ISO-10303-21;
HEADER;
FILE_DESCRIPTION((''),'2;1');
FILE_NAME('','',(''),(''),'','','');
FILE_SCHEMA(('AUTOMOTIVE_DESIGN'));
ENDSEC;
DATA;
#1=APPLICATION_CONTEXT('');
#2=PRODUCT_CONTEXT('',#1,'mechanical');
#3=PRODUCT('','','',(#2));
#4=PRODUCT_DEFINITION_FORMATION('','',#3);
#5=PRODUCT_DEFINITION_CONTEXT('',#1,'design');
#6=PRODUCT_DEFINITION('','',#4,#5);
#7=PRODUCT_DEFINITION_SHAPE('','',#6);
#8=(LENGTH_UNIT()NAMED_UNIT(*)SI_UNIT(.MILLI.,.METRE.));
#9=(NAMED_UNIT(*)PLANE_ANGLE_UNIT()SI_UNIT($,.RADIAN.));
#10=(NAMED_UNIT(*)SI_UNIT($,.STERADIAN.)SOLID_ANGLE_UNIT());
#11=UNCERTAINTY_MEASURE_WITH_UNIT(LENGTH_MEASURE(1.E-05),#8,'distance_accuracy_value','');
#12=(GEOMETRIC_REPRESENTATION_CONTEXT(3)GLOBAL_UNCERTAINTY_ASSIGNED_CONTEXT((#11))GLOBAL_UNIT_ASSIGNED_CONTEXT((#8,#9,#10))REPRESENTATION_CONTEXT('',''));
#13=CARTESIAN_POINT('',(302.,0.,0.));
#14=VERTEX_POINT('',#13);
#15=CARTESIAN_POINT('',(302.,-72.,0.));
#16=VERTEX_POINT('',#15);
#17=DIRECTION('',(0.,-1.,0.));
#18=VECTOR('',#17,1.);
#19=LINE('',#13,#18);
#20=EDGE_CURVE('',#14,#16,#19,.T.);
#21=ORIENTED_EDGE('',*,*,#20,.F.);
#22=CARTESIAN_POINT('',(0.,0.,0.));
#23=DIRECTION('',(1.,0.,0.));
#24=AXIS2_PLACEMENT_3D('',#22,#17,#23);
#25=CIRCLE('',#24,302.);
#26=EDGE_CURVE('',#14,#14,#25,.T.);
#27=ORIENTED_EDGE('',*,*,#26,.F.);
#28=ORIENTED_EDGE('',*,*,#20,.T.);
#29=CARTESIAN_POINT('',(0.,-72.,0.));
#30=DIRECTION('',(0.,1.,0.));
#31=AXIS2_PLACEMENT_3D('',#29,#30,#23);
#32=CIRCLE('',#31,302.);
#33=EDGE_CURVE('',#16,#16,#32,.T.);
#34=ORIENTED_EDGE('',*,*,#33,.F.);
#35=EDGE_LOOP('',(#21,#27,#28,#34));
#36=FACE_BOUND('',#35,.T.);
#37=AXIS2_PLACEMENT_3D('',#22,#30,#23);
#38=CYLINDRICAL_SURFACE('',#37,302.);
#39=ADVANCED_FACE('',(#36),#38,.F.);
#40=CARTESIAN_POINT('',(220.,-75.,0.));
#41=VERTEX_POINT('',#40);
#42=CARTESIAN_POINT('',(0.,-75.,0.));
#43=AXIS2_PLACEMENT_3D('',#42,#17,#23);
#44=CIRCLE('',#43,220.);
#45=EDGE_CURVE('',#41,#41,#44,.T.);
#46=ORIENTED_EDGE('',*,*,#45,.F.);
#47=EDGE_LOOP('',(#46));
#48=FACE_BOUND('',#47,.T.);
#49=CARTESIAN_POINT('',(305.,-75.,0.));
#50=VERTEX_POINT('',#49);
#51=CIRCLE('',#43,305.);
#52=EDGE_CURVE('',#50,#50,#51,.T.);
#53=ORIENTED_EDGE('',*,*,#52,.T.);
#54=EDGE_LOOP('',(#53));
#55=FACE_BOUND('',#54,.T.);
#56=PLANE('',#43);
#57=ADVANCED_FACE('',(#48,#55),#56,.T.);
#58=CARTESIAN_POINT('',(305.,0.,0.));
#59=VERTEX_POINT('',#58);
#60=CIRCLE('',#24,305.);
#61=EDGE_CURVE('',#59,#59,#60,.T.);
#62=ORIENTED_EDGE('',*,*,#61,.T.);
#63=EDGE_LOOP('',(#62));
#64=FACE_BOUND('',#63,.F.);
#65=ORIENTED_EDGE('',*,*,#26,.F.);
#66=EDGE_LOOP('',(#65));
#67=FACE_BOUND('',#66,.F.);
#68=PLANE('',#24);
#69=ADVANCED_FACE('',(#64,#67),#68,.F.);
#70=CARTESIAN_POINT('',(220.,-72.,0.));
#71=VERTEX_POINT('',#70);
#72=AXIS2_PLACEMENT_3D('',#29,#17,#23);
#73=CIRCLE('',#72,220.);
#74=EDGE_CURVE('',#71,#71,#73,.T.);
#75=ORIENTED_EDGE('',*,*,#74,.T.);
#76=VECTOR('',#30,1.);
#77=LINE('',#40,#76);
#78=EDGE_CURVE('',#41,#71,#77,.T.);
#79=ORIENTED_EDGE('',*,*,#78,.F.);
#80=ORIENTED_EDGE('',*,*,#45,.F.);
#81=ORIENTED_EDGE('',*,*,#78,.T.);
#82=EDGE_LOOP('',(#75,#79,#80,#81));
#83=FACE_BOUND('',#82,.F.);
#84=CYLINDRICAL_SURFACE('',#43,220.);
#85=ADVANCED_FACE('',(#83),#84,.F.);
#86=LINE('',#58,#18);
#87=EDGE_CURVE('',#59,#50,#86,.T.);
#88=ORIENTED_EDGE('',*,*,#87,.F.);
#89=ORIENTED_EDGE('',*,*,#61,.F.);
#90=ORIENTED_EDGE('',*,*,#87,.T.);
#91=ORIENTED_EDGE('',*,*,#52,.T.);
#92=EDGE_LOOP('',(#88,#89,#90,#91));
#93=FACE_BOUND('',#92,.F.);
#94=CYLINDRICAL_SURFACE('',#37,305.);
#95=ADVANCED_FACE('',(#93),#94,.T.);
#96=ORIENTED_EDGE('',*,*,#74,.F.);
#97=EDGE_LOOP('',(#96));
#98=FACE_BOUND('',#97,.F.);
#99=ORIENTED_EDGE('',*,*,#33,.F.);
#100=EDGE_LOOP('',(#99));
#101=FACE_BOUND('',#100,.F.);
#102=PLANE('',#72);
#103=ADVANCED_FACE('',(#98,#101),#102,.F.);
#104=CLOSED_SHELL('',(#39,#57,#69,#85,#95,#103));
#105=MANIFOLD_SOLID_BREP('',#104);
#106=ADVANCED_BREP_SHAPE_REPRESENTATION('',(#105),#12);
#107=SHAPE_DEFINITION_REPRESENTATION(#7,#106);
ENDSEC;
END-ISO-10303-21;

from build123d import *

# Parameters (mm, degrees)
F0_R     = 305
F1_DEPTH = 75
F2_T     = -3
F3_R     = 220
F4_DEPTH = 75.001


with BuildPart() as f1:
    # F0 (on Front) → F1 (new body)
    with BuildSketch(Plane.XZ):
        Circle(F0_R)
    extrude(amount=F1_DEPTH)

    # F2
    f2_openings = [f1.faces().sort_by_distance(p)[0] for p in [
        (0, 0, 0),
    ]]
    offset(amount=F2_T, openings=f2_openings)

    # F3 (on face) → F4 (cut, through all)
    with BuildSketch(Plane.XZ.offset(75)):
        Circle(F3_R)
    extrude(amount=-F4_DEPTH, mode=Mode.SUBTRACT)


solid = f1.part
